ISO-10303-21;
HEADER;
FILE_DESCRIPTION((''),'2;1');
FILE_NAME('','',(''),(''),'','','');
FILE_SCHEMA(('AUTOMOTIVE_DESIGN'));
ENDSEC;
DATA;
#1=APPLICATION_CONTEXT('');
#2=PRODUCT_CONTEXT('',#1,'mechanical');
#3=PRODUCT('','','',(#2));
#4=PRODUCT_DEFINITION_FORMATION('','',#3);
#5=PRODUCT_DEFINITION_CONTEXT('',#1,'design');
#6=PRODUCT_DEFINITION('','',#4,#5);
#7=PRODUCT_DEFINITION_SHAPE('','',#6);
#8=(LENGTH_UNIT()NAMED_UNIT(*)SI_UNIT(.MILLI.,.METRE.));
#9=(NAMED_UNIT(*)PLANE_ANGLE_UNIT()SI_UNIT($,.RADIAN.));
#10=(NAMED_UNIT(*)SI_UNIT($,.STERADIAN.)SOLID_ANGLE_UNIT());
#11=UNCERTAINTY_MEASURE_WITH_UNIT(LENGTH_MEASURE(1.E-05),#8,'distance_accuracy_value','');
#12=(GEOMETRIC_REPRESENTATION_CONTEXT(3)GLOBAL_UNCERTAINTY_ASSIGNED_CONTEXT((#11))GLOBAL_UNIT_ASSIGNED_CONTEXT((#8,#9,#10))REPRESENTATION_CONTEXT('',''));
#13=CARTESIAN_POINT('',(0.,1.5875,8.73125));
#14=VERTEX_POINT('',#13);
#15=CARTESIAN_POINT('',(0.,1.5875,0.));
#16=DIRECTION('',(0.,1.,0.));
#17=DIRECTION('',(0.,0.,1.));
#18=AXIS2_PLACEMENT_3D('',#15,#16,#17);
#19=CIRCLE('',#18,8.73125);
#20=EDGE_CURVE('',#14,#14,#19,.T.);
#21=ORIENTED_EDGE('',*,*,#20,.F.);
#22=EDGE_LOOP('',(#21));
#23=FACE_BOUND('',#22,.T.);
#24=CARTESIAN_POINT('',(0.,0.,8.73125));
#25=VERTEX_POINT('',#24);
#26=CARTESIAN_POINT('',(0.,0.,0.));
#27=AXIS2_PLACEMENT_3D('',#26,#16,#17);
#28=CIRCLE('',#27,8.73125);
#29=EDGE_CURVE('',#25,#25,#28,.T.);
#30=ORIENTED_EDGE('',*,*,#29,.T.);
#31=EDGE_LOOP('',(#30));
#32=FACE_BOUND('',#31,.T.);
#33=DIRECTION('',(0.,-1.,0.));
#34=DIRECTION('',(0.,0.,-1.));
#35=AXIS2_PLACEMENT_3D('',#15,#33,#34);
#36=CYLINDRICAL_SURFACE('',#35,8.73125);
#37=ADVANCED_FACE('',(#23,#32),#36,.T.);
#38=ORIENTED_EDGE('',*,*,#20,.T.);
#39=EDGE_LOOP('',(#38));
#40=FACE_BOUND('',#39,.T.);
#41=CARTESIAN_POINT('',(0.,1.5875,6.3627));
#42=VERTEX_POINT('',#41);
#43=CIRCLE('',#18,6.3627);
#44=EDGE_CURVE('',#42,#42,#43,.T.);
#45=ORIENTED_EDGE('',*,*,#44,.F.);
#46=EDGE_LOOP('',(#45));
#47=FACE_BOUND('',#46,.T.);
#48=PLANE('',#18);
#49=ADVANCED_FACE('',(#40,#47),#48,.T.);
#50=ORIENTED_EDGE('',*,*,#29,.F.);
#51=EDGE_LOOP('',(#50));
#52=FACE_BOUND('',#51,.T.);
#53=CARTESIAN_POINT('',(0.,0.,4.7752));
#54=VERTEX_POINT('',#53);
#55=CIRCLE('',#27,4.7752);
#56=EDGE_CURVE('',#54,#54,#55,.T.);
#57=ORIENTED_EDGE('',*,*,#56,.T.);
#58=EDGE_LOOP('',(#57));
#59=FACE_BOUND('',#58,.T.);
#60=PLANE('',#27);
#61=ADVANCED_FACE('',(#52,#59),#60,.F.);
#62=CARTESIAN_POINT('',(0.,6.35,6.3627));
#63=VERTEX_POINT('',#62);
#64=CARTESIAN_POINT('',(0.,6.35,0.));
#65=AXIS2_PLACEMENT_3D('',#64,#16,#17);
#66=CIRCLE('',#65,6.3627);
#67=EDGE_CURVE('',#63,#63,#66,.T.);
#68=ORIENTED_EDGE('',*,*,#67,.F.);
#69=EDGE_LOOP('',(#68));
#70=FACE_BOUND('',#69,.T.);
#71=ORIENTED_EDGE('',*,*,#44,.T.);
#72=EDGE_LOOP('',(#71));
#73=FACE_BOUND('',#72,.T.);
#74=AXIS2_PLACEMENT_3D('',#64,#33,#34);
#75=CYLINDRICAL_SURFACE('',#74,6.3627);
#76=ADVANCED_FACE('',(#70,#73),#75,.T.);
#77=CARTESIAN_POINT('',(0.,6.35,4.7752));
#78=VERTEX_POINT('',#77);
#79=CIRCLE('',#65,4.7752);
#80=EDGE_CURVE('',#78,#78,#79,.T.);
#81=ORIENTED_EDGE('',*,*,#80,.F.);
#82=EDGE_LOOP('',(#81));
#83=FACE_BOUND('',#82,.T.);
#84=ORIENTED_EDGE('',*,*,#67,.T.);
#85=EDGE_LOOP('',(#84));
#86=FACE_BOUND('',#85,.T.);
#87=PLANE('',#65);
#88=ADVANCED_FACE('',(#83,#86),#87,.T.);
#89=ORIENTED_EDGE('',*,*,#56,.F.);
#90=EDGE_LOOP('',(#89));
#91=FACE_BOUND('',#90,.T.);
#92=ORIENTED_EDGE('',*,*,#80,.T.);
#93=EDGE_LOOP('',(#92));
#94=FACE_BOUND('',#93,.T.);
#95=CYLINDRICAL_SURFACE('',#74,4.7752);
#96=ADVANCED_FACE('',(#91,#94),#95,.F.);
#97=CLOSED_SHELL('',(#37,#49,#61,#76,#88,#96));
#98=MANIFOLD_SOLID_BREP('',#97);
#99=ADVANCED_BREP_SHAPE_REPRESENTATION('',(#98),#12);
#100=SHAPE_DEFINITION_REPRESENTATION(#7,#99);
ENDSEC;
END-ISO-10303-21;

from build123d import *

# Parameters (mm, degrees)
SKETCH2_R           = 6.3627
SKETCH2_R_2         = 4.7752
BOSS_EXTRUDE1_DEPTH = 6.35
SKETCH3_R           = 8.73125
SKETCH3_R_2         = 6.3627
BOSS_EXTRUDE2_DEPTH = 1.5875


with BuildPart() as part:
    # Sketch2 → Boss-Extrude1 (new body)
    with BuildSketch(Plane(origin=(0, 0, 0), x_dir=(1, 0, 0), z_dir=(0, 1, 0))):
        Circle(SKETCH2_R)
        Circle(SKETCH2_R_2, mode=Mode.SUBTRACT)
    extrude(amount=BOSS_EXTRUDE1_DEPTH)

    # Sketch3 → Boss-Extrude2 (add)
    with BuildSketch(Plane(origin=(0, 0, 0), x_dir=(1, 0, 0), z_dir=(0, 1, 0))):
        Circle(SKETCH3_R)
        Circle(SKETCH3_R_2, mode=Mode.SUBTRACT)
    extrude(amount=BOSS_EXTRUDE2_DEPTH)


solid = part.part
